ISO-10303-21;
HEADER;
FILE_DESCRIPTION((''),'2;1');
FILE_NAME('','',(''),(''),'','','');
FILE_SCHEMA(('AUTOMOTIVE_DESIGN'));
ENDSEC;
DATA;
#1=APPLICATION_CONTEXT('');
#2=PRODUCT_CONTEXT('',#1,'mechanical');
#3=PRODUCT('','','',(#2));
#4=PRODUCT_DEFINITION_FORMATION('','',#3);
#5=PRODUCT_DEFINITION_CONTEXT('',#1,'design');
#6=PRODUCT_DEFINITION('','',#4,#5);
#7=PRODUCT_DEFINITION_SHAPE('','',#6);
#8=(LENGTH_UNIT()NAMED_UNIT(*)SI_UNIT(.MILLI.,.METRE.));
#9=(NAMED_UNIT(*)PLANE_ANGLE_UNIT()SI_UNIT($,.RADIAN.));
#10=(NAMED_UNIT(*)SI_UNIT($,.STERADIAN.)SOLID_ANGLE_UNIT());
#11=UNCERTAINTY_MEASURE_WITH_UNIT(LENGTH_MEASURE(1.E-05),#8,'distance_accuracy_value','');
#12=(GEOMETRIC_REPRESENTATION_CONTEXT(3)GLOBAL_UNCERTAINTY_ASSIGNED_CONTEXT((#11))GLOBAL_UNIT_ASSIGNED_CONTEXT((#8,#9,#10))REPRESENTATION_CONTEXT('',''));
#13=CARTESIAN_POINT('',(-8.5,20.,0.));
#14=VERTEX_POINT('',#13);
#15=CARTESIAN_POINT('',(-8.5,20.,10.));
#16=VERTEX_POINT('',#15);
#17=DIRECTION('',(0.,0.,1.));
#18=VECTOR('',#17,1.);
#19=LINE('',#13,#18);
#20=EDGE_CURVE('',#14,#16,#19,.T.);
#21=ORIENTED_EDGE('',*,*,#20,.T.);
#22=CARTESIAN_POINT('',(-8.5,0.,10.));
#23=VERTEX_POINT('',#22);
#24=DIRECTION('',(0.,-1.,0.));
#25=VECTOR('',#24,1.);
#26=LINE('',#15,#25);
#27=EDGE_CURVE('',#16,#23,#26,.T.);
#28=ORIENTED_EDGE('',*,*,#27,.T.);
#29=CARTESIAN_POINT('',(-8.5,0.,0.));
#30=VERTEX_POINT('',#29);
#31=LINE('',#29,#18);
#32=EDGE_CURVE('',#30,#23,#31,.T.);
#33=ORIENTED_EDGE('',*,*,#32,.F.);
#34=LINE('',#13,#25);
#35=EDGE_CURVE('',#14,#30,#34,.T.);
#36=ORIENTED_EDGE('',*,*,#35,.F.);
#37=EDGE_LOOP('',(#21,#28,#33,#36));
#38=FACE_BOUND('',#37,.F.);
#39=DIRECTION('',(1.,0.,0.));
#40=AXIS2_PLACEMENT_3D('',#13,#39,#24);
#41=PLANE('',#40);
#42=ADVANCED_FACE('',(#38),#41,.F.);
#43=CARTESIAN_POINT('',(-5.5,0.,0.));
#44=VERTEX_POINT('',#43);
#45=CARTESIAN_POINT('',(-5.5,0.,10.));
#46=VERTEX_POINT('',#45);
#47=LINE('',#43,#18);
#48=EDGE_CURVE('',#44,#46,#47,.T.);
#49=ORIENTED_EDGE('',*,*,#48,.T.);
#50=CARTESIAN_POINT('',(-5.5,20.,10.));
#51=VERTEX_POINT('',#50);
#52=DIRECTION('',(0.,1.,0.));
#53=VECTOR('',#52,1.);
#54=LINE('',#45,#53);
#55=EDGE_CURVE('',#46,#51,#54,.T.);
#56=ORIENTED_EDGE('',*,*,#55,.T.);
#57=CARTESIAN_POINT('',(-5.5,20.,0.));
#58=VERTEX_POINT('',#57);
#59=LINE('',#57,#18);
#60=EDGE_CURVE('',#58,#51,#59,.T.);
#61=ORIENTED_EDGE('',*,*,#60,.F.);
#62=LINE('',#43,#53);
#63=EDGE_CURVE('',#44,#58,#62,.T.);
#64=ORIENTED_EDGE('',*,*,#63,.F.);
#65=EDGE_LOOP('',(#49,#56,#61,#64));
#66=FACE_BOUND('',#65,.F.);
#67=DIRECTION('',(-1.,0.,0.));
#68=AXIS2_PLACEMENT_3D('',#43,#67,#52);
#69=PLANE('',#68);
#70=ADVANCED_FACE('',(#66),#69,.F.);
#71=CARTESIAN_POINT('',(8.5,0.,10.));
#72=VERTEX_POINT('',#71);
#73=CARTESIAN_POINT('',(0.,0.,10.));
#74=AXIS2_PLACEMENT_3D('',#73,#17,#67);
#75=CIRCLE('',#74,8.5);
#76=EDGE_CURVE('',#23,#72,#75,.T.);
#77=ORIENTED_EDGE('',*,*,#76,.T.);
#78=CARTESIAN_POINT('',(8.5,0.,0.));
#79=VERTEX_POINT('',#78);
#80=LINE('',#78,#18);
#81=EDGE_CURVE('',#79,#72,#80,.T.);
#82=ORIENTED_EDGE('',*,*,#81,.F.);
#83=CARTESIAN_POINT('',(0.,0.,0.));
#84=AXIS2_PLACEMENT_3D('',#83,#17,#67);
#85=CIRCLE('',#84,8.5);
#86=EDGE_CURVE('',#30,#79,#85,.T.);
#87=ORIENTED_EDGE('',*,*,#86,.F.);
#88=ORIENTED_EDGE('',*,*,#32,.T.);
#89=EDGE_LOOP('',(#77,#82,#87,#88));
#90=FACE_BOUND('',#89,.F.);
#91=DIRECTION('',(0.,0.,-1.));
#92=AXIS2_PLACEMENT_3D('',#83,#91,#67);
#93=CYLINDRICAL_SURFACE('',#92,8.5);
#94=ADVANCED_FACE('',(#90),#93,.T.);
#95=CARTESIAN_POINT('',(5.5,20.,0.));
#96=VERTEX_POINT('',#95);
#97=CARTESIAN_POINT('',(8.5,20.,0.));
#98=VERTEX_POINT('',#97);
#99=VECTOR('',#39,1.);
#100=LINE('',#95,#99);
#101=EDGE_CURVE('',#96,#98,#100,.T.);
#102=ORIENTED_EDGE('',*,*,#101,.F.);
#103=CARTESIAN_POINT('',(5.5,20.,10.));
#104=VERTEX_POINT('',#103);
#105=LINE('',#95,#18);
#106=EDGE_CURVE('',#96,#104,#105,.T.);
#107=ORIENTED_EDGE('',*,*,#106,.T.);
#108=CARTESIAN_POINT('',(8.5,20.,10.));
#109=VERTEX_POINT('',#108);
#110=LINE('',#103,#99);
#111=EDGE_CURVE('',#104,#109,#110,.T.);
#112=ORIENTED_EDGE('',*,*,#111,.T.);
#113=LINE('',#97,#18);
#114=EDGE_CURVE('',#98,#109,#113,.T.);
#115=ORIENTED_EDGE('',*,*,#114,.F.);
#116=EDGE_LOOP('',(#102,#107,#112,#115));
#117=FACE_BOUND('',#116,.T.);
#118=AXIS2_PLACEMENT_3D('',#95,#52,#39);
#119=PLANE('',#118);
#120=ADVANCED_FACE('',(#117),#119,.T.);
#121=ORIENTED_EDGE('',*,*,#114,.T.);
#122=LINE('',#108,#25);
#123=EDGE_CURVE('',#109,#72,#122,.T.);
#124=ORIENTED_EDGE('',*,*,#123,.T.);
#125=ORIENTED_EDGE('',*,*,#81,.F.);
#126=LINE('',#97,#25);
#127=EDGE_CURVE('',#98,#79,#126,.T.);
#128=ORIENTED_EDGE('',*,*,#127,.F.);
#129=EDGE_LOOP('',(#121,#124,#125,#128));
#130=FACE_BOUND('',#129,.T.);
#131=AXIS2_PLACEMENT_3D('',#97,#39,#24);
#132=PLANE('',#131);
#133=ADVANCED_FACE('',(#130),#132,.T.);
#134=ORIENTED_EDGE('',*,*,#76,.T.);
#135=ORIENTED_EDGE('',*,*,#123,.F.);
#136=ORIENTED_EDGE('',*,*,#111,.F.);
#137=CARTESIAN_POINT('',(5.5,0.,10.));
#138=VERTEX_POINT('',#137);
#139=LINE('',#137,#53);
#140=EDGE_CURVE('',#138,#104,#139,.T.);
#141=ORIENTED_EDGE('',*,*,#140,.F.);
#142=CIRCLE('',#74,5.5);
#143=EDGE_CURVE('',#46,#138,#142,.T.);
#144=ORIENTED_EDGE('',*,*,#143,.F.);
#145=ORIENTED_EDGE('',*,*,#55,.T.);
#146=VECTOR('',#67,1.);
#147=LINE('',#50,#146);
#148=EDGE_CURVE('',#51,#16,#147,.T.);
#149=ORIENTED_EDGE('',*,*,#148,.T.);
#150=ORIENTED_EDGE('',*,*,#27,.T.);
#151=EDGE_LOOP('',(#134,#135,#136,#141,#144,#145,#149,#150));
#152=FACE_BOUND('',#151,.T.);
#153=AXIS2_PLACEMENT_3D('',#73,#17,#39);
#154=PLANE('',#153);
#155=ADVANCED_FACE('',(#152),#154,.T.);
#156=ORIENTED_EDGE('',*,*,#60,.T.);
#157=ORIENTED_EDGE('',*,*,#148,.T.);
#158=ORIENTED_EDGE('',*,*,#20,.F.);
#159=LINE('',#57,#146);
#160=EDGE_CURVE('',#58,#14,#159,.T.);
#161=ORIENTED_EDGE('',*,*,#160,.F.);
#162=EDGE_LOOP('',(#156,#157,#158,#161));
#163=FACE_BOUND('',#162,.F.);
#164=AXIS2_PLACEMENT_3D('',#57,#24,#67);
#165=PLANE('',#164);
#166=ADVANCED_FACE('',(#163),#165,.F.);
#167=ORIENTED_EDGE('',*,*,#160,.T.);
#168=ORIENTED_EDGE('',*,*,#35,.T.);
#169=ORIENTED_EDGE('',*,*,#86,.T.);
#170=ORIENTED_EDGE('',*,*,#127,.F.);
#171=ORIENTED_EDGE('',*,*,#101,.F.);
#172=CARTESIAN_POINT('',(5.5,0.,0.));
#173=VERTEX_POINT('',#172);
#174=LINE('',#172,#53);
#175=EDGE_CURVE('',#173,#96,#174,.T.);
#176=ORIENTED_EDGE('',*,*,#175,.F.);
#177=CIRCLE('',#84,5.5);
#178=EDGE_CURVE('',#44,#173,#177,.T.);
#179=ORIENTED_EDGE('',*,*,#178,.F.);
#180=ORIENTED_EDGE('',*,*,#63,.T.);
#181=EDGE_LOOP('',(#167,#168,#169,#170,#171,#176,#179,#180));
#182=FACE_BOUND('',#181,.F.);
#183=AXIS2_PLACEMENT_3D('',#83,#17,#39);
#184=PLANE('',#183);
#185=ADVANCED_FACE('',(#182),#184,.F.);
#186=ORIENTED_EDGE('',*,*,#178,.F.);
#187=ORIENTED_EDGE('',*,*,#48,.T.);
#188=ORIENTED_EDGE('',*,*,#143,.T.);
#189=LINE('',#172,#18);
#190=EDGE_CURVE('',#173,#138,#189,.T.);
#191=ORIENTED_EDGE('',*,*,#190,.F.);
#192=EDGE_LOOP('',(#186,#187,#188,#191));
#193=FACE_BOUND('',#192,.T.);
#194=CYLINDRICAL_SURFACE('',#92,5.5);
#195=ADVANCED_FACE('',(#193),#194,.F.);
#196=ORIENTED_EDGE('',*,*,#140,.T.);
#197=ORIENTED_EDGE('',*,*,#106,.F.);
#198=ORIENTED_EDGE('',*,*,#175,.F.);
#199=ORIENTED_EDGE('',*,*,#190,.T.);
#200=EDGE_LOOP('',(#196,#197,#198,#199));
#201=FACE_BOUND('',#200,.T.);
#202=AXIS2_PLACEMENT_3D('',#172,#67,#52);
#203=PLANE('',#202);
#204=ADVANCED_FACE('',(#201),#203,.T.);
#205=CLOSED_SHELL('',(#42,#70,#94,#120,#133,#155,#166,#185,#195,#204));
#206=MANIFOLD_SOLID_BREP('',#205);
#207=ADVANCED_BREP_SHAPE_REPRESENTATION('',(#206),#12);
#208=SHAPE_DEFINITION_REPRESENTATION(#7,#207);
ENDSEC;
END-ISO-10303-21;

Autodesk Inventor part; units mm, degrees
ref_plane "YZ Plane" through (0, 0, 0) normal (1, 0, 0) x (0, 1, 0)
ref_plane "XZ Plane" through (0, 0, 0) normal (0, 1, 0) x (-1, 0, 0)
ref_plane "XY Plane" through (0, 0, 0) normal (0, 0, 1) x (1, 0, 0)
sketch "Sketch1" plane through (0, 0, 0) normal (0, 0, 1) x (1, 0, 0)
  line L0 (-8.5, 0) -> (-5.5, 0)
  line L1 (-5.5, 0) -> (-5.5, 20)
  line L2 (-5.5, 20) -> (-8.5, 20)
  line L3 (-8.5, 20) -> (-8.5, 0)
  line L4 (8.5, 0) -> (5.5, 0)
  line L5 (5.5, 0) -> (5.5, 20)
  line L6 (5.5, 20) -> (8.5, 20)
  line L7 (8.5, 20) -> (8.5, 0)
  arc A0 (-5.5, 0) -> (5.5, 0) centre (0, 0) ccw
  arc A1 (-8.5, 0) -> (8.5, 0) centre (0, 0) ccw
  point P0 (0, 0)
  dimension "d0" = 3
  dimension "d1" = 3
  dimension "d2" = 5.5
  dimension "d3" = 5.5
  dimension "d4" = 20
  dimension "d5" = 20
extrude "Extrusion1" add sketch "Sketch1" along normal blind 10
properties part number "Plate_clip"
